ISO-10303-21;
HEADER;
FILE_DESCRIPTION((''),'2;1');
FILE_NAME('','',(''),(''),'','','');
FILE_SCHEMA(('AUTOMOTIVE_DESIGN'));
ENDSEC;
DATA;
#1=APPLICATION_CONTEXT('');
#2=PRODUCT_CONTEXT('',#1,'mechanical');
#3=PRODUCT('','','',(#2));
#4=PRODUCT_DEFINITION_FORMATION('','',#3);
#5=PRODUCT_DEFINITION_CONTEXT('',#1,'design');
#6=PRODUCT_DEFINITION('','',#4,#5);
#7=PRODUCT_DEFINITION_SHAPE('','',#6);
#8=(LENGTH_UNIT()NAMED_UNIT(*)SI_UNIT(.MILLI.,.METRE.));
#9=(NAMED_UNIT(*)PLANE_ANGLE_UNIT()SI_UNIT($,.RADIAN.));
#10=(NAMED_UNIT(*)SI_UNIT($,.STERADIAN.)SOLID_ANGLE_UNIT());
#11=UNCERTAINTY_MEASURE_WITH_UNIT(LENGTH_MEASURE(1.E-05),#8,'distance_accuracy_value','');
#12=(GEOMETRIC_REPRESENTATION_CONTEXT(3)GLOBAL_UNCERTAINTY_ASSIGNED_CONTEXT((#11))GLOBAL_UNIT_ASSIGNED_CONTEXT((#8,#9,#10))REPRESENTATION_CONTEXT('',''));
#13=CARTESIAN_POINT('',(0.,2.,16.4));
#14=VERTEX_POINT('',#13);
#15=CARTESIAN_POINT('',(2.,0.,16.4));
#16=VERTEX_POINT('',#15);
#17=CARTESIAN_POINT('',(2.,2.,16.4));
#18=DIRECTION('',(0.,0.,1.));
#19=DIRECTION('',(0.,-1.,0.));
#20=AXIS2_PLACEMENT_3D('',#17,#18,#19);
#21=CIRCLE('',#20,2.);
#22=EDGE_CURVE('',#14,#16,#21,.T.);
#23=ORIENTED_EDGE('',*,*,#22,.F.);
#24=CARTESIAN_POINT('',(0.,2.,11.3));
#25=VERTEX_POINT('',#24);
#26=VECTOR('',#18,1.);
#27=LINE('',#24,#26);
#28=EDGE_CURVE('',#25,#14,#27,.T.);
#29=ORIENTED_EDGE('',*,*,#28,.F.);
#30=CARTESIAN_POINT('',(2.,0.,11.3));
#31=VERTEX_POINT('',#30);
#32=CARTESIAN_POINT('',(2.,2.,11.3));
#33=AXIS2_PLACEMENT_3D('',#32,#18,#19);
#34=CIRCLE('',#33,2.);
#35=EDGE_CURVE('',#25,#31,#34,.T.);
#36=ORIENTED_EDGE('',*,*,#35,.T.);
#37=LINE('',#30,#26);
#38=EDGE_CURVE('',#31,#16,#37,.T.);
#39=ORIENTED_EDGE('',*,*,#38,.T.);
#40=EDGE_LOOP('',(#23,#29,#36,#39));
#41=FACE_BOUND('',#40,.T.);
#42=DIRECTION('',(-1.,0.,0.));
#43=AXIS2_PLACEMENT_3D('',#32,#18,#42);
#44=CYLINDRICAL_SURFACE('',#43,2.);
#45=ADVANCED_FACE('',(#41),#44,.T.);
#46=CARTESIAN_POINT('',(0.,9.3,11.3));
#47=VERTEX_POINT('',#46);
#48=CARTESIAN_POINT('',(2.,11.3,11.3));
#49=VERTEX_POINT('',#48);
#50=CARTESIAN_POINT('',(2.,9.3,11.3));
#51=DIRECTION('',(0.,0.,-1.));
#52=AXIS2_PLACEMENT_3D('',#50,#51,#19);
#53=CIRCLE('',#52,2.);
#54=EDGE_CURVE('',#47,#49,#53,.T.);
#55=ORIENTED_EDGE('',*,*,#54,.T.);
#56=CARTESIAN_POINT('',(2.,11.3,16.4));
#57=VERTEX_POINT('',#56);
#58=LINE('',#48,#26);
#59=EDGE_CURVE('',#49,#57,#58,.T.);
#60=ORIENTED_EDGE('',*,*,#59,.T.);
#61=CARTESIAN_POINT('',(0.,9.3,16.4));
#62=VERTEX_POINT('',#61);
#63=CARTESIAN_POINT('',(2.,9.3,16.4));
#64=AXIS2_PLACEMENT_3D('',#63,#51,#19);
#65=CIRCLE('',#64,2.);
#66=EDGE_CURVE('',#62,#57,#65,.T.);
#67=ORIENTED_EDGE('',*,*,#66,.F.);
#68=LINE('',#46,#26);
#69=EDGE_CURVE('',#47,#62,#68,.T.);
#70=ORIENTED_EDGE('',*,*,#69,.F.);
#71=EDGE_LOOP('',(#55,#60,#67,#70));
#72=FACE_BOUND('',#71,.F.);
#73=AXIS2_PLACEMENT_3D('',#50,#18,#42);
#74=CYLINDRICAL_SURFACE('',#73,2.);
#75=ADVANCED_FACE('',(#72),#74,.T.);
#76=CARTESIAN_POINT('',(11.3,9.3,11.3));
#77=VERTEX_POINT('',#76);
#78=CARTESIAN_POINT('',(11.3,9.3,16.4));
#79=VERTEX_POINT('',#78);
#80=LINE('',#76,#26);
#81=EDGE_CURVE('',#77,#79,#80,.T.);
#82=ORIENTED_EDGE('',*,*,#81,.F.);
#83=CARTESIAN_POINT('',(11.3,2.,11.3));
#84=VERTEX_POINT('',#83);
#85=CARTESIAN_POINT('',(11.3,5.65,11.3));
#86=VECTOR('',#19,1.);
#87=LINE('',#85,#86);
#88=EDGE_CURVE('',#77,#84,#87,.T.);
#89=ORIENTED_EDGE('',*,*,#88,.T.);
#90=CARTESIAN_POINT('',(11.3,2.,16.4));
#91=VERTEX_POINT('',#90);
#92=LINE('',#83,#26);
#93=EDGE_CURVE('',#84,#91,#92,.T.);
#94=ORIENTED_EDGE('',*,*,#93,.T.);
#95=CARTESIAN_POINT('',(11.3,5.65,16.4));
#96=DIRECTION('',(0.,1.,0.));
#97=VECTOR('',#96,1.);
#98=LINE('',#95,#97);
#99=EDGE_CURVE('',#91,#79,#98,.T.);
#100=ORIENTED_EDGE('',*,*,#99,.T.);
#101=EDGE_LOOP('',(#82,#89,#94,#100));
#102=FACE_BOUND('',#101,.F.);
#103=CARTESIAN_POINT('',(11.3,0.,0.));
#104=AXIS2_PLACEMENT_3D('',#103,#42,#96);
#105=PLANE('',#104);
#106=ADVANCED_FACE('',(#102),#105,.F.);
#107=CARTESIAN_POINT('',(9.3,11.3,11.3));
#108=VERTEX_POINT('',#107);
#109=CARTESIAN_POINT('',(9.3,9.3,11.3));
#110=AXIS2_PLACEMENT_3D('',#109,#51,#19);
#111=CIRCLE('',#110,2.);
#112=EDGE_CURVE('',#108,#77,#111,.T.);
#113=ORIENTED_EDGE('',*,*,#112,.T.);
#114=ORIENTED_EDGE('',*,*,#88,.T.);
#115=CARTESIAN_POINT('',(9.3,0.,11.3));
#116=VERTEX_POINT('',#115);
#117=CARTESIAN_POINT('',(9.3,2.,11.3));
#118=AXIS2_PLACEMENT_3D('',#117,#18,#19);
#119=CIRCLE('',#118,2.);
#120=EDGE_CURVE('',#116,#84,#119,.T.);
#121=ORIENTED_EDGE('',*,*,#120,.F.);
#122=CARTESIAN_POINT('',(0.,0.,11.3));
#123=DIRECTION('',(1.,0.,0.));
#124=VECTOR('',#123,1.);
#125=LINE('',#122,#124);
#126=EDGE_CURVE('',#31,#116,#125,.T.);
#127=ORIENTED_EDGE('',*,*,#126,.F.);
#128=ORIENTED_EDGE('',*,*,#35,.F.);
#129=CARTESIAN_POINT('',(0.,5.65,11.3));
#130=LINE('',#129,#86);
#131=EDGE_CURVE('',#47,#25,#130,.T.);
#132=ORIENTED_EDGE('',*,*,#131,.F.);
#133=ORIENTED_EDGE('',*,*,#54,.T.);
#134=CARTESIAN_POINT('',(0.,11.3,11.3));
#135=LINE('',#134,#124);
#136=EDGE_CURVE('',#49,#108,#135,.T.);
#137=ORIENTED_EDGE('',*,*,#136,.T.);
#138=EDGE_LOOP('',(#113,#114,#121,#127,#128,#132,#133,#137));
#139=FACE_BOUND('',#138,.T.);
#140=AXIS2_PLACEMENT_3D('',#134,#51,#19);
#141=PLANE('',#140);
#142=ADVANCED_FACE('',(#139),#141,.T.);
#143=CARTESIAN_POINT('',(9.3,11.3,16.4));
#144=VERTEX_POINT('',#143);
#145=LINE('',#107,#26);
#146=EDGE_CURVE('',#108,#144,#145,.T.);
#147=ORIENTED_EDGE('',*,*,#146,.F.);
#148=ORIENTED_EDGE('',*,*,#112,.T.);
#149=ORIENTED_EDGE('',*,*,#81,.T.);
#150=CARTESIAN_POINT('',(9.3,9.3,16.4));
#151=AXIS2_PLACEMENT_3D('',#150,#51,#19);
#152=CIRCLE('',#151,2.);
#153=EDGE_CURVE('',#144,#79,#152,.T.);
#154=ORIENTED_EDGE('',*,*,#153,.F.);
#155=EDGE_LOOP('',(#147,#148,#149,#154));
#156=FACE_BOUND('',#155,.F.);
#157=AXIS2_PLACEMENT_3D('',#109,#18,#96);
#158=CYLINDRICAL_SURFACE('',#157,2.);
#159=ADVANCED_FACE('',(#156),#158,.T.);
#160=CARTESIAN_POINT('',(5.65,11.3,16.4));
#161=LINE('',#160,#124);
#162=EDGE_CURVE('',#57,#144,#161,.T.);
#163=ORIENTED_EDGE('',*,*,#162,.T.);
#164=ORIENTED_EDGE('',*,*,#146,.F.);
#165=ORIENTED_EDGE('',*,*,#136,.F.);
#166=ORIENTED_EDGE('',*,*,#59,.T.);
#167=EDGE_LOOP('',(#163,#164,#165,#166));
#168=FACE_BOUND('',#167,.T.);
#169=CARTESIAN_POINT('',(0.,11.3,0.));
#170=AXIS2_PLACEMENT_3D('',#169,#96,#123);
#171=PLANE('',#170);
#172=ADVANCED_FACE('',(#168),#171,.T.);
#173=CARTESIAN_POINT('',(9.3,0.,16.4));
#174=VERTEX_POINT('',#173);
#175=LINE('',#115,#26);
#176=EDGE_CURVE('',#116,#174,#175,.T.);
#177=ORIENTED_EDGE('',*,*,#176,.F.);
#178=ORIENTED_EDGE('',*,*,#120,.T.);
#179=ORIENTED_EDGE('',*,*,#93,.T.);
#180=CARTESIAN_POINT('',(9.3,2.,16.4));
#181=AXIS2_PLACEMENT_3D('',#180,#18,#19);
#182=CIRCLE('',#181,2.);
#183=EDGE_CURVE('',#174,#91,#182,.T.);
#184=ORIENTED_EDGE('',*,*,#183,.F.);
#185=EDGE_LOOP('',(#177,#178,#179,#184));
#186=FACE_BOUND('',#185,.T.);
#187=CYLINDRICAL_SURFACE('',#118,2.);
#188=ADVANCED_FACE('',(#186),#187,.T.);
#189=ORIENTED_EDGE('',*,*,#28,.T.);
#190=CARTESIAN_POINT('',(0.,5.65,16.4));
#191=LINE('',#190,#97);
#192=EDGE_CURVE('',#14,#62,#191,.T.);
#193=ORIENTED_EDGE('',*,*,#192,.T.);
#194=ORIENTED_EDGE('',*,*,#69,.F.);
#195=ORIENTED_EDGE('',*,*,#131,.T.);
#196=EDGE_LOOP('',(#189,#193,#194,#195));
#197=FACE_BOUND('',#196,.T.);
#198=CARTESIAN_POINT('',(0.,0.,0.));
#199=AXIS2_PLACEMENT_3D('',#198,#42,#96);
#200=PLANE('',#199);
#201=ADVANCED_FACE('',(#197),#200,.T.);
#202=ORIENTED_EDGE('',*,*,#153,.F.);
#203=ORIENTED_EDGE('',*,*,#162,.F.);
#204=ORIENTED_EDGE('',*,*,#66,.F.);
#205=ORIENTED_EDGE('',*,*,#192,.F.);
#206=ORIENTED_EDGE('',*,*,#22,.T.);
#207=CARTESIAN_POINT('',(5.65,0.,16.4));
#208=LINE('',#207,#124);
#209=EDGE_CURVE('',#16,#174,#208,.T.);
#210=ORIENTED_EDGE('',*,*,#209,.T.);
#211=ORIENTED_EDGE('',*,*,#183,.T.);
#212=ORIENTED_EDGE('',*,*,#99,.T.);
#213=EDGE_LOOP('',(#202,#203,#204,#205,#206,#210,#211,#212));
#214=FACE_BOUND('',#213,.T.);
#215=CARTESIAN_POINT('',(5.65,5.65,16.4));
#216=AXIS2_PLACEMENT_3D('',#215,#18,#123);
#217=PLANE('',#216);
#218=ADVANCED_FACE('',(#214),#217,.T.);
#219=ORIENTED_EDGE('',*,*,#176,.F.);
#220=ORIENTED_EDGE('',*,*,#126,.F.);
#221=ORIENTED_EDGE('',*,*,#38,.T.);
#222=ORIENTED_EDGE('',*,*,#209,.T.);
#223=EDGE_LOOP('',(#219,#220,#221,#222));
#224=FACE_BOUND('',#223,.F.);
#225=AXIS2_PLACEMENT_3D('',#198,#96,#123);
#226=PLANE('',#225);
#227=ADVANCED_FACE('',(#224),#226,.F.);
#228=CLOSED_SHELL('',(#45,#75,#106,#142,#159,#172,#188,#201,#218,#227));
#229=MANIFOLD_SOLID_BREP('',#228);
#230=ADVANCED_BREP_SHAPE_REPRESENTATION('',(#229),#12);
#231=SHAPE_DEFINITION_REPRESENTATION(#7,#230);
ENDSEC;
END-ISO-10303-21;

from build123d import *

# Parameters (mm, degrees)
F0_W     = 11.3
F0_H     = 11.3
F1_DEPTH = 16.4
F2_W     = 11.3
F2_H     = 11.3
F3_DEPTH = 25
F4_R     = 2


with BuildPart() as f1:
    # F0 (on Top) → F1 (new body)
    with BuildSketch(Plane.XY):
        with Locations((5.65, 5.65)):
            Rectangle(F0_W, F0_H)
    extrude(amount=F1_DEPTH)

    # F2 (on face) → F3 (cut)
    with BuildSketch(Plane(origin=(0, 0, 0), x_dir=(0, -1, 0), z_dir=(-1, 0, 0))):
        with Locations((-5.65, 5.65)):
            Rectangle(F2_W, F2_H)
    extrude(amount=-F3_DEPTH, mode=Mode.SUBTRACT)

    # F4
    f4_edges = [f1.edges().sort_by_distance(p)[0] for p in [
        (0, 0, 13.85),
        (11.3, 0, 13.85),
        (0, 11.3, 13.85),
        (11.3, 11.3, 13.85),
    ]]
    fillet(f4_edges, radius=F4_R)


solid = f1.part
